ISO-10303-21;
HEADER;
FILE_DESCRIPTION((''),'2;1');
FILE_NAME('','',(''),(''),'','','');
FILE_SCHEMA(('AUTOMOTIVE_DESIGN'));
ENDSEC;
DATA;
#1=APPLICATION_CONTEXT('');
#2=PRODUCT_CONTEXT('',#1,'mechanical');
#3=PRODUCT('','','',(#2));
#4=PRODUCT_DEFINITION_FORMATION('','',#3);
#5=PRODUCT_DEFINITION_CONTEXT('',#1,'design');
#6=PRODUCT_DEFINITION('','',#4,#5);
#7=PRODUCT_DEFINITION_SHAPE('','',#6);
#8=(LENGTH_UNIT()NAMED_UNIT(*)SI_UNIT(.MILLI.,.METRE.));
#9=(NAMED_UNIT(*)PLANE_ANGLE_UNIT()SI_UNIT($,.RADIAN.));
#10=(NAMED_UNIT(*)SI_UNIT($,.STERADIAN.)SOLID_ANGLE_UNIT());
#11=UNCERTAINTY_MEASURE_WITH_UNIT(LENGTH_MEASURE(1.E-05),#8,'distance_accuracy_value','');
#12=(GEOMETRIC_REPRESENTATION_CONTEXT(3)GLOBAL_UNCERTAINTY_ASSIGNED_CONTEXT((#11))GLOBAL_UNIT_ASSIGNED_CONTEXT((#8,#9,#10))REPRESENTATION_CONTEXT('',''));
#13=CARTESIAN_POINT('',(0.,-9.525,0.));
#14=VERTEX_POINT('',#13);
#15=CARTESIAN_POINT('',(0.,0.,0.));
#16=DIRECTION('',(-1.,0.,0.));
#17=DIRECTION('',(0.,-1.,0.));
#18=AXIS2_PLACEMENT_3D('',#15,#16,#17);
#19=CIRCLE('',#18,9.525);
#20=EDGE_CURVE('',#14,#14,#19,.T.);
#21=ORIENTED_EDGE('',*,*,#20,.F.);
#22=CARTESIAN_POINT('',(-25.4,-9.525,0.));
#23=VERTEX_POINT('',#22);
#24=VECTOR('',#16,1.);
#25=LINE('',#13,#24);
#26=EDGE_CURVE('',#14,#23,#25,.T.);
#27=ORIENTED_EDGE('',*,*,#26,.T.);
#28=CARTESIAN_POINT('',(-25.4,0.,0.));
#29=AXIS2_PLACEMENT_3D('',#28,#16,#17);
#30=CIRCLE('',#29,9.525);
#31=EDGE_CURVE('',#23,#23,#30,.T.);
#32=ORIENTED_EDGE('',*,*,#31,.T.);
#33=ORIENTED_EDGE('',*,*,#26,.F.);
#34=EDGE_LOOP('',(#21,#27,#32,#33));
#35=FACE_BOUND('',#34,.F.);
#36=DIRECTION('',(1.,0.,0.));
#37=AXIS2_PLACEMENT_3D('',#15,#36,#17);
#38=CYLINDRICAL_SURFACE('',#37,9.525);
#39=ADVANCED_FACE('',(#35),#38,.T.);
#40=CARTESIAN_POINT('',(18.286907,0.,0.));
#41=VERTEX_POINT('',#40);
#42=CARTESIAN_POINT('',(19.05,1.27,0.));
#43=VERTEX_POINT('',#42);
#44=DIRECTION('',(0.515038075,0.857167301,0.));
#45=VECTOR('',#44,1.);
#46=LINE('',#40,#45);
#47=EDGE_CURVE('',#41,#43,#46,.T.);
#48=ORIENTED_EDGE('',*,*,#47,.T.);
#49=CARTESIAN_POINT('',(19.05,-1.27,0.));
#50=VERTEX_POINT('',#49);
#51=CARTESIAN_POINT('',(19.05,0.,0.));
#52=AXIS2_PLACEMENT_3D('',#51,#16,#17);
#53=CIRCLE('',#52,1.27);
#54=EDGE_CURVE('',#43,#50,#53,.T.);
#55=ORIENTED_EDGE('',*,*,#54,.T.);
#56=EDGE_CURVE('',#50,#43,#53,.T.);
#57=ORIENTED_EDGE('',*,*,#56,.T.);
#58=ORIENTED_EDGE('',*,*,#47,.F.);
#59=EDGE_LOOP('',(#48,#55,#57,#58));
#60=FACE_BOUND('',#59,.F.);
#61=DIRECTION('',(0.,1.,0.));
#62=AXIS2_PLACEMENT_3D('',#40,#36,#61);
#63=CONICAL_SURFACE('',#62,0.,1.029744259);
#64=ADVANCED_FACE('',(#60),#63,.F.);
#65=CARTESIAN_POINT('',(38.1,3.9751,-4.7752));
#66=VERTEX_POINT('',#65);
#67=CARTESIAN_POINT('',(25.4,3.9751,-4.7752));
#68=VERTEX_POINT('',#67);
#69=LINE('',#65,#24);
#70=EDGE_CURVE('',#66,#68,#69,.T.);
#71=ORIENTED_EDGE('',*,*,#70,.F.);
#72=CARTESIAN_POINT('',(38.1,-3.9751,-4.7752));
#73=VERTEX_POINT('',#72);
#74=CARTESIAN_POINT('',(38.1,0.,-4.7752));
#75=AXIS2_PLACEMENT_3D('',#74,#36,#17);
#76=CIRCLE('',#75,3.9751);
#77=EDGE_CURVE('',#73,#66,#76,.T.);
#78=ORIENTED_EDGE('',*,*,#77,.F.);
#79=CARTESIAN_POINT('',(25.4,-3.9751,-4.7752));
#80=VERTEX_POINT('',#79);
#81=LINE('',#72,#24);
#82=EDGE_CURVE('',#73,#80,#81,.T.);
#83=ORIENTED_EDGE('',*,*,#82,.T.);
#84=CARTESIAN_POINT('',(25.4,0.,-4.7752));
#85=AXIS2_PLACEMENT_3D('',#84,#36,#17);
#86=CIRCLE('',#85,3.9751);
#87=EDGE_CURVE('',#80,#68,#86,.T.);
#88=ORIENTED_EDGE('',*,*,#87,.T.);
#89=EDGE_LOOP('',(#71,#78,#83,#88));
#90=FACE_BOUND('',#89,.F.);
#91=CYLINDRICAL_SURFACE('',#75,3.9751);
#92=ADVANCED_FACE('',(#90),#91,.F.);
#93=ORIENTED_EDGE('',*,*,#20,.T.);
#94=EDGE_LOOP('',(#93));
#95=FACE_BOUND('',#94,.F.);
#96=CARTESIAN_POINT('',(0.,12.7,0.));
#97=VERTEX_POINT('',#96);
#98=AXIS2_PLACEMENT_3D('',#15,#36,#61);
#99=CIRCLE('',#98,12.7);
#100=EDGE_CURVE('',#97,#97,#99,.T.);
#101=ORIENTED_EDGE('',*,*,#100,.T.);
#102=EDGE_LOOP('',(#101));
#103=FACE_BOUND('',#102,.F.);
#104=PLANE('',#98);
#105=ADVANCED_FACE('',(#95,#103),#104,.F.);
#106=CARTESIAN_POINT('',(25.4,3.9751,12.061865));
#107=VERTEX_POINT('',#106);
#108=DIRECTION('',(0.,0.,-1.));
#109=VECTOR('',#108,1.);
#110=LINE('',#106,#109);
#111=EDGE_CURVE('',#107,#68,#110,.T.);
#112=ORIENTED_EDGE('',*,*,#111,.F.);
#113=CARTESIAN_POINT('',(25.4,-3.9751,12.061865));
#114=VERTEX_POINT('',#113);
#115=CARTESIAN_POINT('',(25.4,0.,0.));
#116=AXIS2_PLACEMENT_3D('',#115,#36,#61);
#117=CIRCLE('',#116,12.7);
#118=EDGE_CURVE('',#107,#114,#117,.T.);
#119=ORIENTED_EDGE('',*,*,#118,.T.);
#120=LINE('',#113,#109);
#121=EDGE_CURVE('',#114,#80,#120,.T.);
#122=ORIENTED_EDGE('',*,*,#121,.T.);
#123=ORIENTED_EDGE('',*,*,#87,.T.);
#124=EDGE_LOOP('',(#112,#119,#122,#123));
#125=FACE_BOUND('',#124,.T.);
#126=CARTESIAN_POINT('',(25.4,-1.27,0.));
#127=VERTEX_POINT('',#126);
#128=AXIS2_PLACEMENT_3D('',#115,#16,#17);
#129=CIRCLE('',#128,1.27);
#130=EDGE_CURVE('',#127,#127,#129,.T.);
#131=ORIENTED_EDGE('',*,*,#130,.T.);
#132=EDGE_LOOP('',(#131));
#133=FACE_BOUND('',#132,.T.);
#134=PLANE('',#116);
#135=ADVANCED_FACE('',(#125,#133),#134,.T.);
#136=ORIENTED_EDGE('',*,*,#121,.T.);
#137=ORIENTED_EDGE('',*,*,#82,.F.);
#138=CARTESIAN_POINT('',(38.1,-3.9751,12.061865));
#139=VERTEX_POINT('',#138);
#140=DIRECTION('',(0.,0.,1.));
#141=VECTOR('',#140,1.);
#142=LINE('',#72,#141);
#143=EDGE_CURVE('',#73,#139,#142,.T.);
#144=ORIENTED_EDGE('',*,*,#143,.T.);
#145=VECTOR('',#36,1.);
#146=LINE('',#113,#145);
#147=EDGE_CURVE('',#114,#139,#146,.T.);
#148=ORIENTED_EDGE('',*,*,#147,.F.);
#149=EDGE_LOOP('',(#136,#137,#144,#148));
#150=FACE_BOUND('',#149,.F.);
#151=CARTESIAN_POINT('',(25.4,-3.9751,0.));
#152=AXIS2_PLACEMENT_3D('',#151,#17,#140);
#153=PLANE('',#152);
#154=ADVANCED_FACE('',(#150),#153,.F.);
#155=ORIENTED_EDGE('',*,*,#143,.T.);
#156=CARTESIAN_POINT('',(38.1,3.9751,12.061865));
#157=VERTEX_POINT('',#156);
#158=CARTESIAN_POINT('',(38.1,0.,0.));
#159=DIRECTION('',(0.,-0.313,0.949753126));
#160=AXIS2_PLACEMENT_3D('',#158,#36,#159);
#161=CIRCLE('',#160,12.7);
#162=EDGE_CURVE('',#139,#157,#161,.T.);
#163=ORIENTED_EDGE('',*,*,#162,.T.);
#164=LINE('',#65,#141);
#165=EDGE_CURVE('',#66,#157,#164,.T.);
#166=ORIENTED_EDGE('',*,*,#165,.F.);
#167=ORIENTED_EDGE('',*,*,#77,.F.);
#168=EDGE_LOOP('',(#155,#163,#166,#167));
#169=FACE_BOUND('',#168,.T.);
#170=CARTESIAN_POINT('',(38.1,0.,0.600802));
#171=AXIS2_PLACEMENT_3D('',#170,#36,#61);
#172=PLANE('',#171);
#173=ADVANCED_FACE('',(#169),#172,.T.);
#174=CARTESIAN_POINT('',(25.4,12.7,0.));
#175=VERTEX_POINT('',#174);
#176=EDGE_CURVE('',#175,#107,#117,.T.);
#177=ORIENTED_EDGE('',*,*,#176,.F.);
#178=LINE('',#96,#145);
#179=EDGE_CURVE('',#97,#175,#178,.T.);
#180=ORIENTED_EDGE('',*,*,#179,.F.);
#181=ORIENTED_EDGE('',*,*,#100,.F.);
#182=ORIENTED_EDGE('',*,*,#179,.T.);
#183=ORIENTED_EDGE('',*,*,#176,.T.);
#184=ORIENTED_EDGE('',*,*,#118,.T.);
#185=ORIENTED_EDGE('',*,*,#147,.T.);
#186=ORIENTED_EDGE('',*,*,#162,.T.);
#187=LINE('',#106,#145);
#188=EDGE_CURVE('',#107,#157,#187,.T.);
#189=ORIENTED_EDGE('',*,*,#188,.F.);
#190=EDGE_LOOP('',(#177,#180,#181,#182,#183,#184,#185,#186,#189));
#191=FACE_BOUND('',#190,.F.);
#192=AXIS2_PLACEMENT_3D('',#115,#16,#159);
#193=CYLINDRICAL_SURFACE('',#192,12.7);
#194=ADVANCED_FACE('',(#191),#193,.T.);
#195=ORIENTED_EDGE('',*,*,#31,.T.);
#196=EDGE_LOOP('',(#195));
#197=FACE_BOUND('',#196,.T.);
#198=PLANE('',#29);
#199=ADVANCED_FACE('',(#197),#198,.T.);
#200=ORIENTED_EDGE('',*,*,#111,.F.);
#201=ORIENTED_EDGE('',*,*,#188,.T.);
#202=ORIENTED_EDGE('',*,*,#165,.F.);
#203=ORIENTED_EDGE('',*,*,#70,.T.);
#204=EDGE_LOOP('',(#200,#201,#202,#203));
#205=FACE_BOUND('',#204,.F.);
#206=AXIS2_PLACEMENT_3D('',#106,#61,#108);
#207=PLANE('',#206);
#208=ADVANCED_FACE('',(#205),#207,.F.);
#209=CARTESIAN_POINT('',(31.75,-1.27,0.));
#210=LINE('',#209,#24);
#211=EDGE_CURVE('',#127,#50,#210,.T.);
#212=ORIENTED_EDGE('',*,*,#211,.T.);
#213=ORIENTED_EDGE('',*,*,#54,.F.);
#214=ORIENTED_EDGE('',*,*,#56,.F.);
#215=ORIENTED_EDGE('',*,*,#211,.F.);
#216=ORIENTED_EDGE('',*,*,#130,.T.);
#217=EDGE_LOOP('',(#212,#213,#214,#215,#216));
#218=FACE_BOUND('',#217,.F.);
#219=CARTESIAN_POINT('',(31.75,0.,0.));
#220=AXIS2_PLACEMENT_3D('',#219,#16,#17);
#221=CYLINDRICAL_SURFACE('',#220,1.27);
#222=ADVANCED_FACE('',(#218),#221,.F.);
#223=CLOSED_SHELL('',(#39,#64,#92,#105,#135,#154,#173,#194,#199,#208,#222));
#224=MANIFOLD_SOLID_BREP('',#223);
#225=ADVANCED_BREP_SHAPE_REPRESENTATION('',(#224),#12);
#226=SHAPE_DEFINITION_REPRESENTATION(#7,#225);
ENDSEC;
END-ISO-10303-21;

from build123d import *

# Parameters (mm, degrees)
F0_R     = 12.7
F1_DEPTH = 25.4
F3_DEPTH = 12.7
F4_R     = 9.525
F5_DEPTH = 25.4
F7_D     = 2.54
F7_DEPTH = 6.35
F7_TIP   = 0.7630929862
F9_DEPTH = 12.7


with BuildPart() as f1:
    # F0 (on Right) → F1 (new body)
    with BuildSketch(Plane.YZ):
        Circle(F0_R)
    extrude(amount=F1_DEPTH)

    # F2 (on face) → F3 (join)
    with BuildSketch(Plane.YZ.offset(25.4)):
        with BuildLine():
            ThreePointArc((3.9751, 0), (0, -3.9751), (-3.9751, 0))
            Line((-3.9751, 0), (-3.9751, 12.0618646979))
            ThreePointArc((-3.9751, 12.0618646979), (0, -12.7), (3.9751, 12.0618646979))
            Line((3.9751, 12.0618646979), (3.9751, 0))
        make_face()
    extrude(amount=F3_DEPTH)

    # F4 (on face) → F5 (join)
    with BuildSketch(Plane(origin=(0, 0, 0), x_dir=(0, -1, 0), z_dir=(-1, 0, 0))):
        Circle(F4_R)
    extrude(amount=F5_DEPTH)

    # F7
    with Locations(Plane.YZ.offset(25.4)):
        with Locations((0, 0)):
            Hole(F7_D / 2, depth=F7_DEPTH)
            with Locations((0, 0, -(F7_DEPTH + F7_TIP / 2))):  # 118° drill point
                Cone(0, F7_D / 2, F7_TIP, mode=Mode.SUBTRACT)


with BuildPart() as f9:
    # F8 (on face) → F9 (new body)
    with BuildSketch(Plane.YZ.offset(38.1)):
        with BuildLine():
            Line((-3.9751, 0), (-3.9751, -4.7752))
            ThreePointArc((-3.9751, -4.7752), (0, -8.7503), (3.9751, -4.7752))
            Line((3.9751, -4.7752), (3.9751, 0))
            ThreePointArc((3.9751, 0), (0, -3.9751), (-3.9751, 0))
        make_face()
    extrude(amount=-F9_DEPTH)


with BuildPart() as f1_1:
    add(f1.part)

    # F10: cut F9
    add(f9.part, mode=Mode.SUBTRACT)


solid = f1_1.part
